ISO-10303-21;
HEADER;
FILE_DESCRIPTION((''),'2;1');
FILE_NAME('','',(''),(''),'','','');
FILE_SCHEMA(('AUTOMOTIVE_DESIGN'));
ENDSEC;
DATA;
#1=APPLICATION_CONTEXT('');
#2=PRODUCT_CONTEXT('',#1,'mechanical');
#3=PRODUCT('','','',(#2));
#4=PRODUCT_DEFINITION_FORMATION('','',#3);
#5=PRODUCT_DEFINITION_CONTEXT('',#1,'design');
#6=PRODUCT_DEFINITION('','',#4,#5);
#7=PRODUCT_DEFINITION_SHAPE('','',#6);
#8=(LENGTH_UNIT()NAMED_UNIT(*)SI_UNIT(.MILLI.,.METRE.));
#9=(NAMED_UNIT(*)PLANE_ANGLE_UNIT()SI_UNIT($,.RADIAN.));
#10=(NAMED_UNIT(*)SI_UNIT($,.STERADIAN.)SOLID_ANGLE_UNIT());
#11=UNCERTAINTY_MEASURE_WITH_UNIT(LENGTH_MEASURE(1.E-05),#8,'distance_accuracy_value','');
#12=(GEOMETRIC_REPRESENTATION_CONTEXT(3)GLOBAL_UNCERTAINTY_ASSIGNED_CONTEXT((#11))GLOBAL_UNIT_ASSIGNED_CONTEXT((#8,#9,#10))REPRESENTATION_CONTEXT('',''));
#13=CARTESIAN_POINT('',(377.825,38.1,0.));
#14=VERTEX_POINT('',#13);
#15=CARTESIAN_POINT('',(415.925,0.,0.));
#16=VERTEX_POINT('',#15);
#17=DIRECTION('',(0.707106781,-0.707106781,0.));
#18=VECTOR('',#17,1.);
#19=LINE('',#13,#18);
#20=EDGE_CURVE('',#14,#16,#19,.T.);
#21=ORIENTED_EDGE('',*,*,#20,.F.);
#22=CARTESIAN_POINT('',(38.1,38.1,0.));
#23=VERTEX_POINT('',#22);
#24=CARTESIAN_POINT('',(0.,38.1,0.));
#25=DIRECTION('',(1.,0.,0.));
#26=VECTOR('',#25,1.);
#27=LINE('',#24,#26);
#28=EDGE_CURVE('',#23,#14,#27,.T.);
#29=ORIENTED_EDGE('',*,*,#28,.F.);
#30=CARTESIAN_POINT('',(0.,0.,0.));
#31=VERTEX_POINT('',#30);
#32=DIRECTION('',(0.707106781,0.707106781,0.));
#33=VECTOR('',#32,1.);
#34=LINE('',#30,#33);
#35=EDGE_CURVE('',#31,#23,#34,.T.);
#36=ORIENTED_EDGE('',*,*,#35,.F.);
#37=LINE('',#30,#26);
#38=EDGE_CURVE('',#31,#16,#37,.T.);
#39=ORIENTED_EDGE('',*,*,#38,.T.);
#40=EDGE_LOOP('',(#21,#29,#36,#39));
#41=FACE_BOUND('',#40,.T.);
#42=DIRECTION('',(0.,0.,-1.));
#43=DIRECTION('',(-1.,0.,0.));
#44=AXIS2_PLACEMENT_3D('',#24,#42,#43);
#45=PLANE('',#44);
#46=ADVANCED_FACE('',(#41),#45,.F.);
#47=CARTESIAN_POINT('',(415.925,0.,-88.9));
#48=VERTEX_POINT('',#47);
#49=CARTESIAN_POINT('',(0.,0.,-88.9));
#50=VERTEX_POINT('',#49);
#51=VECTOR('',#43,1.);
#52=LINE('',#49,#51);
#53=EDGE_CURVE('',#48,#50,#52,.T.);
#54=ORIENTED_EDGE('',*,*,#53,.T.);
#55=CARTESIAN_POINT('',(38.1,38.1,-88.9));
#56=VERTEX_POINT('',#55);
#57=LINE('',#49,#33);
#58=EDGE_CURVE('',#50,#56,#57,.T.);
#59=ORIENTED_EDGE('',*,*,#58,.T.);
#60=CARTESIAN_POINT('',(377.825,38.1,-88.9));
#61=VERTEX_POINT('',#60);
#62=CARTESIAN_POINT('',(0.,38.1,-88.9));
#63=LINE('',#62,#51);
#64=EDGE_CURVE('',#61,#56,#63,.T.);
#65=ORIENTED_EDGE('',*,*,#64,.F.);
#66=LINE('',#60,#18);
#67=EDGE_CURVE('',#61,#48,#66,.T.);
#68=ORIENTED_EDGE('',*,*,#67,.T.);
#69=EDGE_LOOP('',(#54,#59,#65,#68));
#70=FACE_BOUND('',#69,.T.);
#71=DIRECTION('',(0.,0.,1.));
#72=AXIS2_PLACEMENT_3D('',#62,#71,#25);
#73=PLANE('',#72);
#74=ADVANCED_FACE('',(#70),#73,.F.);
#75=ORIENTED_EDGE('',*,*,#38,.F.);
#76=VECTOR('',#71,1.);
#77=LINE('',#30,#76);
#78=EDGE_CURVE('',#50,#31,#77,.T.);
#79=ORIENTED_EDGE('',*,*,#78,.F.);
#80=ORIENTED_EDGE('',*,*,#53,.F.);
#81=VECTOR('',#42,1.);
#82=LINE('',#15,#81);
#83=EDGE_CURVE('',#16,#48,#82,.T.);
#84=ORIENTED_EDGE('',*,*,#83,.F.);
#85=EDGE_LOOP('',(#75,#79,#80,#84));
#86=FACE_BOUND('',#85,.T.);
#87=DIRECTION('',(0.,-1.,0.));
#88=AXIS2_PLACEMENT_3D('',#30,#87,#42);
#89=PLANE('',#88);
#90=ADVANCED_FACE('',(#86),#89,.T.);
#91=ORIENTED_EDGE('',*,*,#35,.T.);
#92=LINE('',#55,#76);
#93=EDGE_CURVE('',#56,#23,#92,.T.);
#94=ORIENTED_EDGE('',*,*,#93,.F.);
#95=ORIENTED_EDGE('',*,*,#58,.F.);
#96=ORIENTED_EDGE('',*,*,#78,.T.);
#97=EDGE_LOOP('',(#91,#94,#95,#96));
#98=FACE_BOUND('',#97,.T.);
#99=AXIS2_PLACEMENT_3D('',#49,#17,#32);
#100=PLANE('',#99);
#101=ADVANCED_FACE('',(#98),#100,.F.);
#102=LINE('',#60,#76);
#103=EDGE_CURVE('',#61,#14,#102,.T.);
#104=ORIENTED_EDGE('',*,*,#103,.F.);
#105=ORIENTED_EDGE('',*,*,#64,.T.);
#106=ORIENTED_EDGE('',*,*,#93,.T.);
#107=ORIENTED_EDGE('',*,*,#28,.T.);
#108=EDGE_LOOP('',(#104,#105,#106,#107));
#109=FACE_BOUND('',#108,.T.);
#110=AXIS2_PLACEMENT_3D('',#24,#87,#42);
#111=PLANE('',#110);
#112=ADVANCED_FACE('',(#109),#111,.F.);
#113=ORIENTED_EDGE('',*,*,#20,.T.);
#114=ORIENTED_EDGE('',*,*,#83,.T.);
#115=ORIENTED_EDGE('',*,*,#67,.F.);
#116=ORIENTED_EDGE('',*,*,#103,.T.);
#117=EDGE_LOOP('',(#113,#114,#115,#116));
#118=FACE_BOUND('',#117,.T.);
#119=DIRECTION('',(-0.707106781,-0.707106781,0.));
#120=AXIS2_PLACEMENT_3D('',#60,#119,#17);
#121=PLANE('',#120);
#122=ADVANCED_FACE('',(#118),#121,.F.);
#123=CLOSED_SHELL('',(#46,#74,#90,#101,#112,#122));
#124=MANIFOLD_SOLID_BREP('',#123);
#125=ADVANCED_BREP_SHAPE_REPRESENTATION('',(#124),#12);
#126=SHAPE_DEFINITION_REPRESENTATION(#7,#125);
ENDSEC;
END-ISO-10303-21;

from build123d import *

# Parameters (mm, degrees)
SKETCH1_W           = 415.925
SKETCH1_H           = 88.9
BOSS_EXTRUDE1_DEPTH = 38.1
CUT_EXTRUDE1_DEPTH  = 89.9


with BuildPart() as part:
    # Sketch1 → Boss-Extrude1 (new body)
    with BuildSketch(Plane(origin=(0, 0, 0), x_dir=(1, 0, 0), z_dir=(0, 1, 0))):
        with Locations((207.9625, 44.45)):
            Rectangle(SKETCH1_W, SKETCH1_H)
    extrude(amount=BOSS_EXTRUDE1_DEPTH)

    # Sketch2 → Cut-Extrude1 (cut, through all)
    with BuildSketch(Plane.XY):
        Polygon((0, 0), (38.1, 38.1), (0, 38.1), align=None)
        Polygon((415.925, 0), (415.925, 38.1), (377.825, 38.1), align=None)
    extrude(amount=-CUT_EXTRUDE1_DEPTH, mode=Mode.SUBTRACT)


solid = part.part
